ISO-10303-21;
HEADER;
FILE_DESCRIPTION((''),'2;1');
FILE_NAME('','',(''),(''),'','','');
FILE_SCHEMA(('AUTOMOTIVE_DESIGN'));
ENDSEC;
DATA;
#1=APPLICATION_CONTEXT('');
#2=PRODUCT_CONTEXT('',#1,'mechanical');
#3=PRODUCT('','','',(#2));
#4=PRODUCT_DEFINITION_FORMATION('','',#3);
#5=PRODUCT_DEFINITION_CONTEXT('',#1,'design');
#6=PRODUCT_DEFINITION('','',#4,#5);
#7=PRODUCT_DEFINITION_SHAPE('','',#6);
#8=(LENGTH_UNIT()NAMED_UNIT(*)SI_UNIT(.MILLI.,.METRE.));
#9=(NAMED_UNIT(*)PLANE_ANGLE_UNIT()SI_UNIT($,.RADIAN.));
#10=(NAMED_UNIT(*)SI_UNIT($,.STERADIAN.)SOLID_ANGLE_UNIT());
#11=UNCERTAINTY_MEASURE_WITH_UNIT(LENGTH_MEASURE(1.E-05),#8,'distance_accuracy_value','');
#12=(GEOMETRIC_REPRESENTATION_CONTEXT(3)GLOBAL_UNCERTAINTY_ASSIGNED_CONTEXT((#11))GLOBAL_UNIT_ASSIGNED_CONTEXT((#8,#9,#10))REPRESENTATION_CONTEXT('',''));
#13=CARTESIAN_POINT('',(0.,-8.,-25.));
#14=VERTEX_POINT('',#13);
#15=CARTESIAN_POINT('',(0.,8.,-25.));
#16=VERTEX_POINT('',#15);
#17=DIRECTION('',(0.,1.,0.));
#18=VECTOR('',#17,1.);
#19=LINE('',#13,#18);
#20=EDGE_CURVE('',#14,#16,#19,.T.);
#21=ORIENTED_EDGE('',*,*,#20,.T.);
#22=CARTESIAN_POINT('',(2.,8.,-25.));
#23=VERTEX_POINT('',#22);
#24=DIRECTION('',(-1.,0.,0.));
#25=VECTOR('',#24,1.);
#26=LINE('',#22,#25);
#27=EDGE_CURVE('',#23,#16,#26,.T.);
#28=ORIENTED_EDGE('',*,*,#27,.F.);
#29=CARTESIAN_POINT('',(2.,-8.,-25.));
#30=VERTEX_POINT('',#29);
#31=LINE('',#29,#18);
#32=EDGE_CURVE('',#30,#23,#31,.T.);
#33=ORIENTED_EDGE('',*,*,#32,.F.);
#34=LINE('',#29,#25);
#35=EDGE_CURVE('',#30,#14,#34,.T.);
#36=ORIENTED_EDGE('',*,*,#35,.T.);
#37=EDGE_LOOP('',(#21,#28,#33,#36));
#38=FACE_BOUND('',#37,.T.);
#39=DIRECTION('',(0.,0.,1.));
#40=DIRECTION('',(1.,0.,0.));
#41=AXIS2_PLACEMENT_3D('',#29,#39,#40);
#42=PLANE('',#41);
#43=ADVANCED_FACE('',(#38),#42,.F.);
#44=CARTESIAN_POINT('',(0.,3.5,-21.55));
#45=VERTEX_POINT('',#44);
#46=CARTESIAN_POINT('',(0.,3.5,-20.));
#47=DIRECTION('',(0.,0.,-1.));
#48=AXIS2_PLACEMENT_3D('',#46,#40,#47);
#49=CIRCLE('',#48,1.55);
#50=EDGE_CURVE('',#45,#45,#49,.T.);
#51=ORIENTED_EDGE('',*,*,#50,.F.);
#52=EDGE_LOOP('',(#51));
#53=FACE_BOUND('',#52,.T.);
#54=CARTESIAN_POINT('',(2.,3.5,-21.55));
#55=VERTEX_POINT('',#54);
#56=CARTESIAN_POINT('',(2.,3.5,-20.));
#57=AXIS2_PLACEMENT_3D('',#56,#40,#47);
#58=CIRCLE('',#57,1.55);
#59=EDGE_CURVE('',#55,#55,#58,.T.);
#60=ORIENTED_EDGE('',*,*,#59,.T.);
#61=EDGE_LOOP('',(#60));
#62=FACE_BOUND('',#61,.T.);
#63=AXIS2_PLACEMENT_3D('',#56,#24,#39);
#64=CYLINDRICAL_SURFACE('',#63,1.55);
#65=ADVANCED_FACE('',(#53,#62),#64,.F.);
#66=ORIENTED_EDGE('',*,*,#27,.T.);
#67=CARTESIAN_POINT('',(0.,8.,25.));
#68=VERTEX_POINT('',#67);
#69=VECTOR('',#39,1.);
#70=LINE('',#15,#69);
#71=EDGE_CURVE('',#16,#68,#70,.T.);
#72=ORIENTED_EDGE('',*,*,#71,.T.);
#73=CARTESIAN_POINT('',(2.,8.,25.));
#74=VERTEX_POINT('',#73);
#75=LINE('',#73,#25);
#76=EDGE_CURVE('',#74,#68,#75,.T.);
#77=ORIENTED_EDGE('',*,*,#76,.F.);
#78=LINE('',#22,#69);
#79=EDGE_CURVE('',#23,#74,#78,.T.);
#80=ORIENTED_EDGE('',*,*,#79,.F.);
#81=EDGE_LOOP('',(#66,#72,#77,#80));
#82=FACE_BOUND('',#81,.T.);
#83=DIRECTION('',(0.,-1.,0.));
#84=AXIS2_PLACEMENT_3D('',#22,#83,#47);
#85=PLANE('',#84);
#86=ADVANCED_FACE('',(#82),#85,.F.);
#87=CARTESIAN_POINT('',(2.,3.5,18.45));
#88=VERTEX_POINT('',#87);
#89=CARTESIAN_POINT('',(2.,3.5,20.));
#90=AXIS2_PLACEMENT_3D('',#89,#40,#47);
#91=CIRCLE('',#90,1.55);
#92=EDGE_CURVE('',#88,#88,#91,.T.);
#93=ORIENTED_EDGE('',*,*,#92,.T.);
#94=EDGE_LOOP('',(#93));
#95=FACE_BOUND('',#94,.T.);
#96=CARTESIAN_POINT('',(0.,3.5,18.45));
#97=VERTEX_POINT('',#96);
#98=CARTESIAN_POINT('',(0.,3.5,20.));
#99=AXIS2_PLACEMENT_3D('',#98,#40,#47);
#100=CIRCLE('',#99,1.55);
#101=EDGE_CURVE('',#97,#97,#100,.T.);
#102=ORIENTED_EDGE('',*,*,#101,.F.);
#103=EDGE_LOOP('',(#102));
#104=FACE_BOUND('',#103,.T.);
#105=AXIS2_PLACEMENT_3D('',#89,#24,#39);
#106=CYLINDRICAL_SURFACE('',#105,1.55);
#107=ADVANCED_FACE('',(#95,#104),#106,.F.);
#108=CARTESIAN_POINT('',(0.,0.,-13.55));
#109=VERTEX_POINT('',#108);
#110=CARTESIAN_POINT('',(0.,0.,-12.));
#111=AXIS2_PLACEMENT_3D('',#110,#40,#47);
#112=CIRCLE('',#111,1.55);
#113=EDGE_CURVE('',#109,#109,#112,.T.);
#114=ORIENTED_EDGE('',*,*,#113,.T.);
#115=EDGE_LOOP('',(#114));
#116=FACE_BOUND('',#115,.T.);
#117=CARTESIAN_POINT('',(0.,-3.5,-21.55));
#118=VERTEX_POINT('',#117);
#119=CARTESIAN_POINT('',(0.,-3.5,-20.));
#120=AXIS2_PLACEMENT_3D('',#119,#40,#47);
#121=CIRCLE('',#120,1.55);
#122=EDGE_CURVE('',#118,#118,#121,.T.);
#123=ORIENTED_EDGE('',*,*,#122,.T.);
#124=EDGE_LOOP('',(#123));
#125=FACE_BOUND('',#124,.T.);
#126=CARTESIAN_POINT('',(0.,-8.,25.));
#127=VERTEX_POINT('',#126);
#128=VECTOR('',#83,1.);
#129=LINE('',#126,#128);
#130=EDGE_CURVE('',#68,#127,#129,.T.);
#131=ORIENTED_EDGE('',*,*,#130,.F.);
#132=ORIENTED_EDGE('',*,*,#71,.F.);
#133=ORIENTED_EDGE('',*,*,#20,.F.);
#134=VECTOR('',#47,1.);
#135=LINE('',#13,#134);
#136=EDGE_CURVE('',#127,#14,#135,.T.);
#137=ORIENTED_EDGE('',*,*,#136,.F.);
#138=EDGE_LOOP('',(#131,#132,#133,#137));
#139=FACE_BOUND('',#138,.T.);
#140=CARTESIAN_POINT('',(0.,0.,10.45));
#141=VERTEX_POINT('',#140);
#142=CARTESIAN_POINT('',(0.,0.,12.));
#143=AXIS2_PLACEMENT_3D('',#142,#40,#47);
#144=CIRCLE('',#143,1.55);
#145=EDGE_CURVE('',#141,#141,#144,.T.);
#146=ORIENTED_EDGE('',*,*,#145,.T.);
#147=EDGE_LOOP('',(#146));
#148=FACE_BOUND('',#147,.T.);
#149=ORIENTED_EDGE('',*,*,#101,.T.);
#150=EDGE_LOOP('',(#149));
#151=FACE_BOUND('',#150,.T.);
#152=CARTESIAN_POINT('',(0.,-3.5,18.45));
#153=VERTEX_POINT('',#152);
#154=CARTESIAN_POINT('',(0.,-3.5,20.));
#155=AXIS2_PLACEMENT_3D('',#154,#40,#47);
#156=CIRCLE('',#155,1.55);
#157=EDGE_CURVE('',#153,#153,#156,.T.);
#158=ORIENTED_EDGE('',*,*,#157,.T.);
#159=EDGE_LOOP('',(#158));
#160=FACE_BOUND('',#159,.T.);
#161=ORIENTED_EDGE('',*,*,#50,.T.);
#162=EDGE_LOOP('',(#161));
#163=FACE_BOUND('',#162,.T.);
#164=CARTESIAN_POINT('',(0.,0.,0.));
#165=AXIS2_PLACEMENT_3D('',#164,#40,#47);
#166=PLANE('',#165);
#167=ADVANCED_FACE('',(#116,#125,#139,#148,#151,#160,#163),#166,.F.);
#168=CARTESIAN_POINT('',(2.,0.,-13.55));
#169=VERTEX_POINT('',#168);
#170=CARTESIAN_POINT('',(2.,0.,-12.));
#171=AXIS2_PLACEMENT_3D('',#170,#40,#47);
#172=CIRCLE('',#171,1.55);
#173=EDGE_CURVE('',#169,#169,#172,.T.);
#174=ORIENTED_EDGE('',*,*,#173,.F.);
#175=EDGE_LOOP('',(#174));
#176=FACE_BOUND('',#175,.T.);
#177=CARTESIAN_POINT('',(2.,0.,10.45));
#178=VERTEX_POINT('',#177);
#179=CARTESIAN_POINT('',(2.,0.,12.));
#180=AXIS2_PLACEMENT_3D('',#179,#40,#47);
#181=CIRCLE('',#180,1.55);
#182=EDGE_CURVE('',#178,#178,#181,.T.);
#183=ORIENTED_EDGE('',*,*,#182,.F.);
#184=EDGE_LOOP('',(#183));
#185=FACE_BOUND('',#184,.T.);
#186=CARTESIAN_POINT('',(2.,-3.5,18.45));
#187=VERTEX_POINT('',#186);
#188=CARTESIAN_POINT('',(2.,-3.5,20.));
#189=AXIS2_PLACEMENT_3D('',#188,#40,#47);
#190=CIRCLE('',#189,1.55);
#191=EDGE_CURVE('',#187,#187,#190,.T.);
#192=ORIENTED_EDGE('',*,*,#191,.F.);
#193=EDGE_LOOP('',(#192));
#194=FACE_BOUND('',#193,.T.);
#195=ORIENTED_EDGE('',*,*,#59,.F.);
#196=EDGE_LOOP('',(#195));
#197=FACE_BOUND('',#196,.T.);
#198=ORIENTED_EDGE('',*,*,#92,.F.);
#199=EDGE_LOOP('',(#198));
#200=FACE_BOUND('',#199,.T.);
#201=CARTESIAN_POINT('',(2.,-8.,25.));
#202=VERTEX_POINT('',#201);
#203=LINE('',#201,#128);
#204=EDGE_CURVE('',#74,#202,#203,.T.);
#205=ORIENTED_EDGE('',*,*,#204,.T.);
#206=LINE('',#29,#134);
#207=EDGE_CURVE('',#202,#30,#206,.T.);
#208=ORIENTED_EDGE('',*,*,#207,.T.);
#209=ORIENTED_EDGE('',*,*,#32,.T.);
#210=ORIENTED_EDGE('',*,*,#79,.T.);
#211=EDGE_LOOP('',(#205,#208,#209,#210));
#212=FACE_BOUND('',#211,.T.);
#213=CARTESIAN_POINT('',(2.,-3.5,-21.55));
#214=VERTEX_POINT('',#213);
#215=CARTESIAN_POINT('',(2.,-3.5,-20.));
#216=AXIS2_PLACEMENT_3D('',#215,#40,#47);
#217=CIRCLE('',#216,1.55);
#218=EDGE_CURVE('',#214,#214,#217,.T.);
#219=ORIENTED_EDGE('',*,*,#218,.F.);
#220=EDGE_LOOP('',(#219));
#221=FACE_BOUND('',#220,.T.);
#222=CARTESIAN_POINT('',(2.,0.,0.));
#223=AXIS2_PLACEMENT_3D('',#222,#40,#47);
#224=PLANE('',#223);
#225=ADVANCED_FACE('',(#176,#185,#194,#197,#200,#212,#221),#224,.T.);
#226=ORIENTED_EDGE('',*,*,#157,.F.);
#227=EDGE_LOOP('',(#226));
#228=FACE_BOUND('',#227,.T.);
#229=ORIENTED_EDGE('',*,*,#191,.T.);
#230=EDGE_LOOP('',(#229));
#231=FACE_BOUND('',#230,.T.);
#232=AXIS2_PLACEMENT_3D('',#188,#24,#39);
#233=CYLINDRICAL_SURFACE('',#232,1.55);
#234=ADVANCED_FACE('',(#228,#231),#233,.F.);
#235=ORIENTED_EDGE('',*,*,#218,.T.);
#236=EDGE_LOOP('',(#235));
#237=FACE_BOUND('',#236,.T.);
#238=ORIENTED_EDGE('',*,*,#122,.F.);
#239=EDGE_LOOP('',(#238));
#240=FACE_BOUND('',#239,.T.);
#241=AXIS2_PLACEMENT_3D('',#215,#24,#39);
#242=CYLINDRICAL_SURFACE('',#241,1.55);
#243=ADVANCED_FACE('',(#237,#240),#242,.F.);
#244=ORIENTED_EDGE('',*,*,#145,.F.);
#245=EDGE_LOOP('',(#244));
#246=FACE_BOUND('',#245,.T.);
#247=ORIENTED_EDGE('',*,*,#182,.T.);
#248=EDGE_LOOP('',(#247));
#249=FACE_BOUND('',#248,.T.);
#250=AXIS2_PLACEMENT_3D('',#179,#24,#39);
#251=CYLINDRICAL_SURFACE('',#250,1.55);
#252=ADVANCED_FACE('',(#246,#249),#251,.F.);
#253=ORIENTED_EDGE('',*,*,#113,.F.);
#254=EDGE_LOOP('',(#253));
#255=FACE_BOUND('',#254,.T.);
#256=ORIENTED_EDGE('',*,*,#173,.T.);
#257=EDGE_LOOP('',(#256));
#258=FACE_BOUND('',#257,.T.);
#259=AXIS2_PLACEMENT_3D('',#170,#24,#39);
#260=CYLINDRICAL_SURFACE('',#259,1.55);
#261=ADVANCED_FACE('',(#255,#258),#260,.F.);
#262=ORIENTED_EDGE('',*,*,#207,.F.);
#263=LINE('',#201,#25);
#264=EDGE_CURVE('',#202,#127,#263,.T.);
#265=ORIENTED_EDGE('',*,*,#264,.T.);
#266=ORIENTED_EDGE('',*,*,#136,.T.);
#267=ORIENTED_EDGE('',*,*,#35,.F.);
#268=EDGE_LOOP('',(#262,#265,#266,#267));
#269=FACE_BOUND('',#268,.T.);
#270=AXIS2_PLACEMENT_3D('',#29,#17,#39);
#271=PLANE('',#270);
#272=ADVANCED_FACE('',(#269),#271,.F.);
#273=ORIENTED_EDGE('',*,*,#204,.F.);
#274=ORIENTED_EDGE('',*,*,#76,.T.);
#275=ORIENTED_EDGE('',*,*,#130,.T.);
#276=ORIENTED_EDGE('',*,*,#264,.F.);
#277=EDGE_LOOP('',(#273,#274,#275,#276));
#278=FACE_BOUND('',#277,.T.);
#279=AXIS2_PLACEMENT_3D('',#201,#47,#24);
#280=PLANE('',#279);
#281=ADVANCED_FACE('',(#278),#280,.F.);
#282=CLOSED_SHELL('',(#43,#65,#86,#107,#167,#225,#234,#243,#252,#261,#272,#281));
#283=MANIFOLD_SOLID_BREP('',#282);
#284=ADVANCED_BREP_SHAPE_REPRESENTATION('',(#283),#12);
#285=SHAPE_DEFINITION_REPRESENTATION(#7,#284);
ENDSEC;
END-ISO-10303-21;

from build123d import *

# Parameters (mm, degrees)
SKETCH_1_W      = 50
SKETCH_1_H      = 16
SKETCH_1_R      = 1.55
EXTRUDE_1_DEPTH = 2


with BuildPart() as part:
    # 草图1 → 凸台-拉伸1 (new body)
    with BuildSketch(Plane(origin=(0, 0, 0), x_dir=(0, 0, -1), z_dir=(1, 0, 0))):
        Rectangle(SKETCH_1_W, SKETCH_1_H)
        with Locations((-12, 0)):
            Circle(SKETCH_1_R, mode=Mode.SUBTRACT)
        with Locations((-20, 3.5)):
            Circle(SKETCH_1_R, mode=Mode.SUBTRACT)
        with Locations((-20, -3.5)):
            Circle(SKETCH_1_R, mode=Mode.SUBTRACT)
        with Locations((20, 3.5)):
            Circle(SKETCH_1_R, mode=Mode.SUBTRACT)
        with Locations((20, -3.5)):
            Circle(SKETCH_1_R, mode=Mode.SUBTRACT)
        with Locations((12, 0)):
            Circle(SKETCH_1_R, mode=Mode.SUBTRACT)
    extrude(amount=EXTRUDE_1_DEPTH)


solid = part.part
